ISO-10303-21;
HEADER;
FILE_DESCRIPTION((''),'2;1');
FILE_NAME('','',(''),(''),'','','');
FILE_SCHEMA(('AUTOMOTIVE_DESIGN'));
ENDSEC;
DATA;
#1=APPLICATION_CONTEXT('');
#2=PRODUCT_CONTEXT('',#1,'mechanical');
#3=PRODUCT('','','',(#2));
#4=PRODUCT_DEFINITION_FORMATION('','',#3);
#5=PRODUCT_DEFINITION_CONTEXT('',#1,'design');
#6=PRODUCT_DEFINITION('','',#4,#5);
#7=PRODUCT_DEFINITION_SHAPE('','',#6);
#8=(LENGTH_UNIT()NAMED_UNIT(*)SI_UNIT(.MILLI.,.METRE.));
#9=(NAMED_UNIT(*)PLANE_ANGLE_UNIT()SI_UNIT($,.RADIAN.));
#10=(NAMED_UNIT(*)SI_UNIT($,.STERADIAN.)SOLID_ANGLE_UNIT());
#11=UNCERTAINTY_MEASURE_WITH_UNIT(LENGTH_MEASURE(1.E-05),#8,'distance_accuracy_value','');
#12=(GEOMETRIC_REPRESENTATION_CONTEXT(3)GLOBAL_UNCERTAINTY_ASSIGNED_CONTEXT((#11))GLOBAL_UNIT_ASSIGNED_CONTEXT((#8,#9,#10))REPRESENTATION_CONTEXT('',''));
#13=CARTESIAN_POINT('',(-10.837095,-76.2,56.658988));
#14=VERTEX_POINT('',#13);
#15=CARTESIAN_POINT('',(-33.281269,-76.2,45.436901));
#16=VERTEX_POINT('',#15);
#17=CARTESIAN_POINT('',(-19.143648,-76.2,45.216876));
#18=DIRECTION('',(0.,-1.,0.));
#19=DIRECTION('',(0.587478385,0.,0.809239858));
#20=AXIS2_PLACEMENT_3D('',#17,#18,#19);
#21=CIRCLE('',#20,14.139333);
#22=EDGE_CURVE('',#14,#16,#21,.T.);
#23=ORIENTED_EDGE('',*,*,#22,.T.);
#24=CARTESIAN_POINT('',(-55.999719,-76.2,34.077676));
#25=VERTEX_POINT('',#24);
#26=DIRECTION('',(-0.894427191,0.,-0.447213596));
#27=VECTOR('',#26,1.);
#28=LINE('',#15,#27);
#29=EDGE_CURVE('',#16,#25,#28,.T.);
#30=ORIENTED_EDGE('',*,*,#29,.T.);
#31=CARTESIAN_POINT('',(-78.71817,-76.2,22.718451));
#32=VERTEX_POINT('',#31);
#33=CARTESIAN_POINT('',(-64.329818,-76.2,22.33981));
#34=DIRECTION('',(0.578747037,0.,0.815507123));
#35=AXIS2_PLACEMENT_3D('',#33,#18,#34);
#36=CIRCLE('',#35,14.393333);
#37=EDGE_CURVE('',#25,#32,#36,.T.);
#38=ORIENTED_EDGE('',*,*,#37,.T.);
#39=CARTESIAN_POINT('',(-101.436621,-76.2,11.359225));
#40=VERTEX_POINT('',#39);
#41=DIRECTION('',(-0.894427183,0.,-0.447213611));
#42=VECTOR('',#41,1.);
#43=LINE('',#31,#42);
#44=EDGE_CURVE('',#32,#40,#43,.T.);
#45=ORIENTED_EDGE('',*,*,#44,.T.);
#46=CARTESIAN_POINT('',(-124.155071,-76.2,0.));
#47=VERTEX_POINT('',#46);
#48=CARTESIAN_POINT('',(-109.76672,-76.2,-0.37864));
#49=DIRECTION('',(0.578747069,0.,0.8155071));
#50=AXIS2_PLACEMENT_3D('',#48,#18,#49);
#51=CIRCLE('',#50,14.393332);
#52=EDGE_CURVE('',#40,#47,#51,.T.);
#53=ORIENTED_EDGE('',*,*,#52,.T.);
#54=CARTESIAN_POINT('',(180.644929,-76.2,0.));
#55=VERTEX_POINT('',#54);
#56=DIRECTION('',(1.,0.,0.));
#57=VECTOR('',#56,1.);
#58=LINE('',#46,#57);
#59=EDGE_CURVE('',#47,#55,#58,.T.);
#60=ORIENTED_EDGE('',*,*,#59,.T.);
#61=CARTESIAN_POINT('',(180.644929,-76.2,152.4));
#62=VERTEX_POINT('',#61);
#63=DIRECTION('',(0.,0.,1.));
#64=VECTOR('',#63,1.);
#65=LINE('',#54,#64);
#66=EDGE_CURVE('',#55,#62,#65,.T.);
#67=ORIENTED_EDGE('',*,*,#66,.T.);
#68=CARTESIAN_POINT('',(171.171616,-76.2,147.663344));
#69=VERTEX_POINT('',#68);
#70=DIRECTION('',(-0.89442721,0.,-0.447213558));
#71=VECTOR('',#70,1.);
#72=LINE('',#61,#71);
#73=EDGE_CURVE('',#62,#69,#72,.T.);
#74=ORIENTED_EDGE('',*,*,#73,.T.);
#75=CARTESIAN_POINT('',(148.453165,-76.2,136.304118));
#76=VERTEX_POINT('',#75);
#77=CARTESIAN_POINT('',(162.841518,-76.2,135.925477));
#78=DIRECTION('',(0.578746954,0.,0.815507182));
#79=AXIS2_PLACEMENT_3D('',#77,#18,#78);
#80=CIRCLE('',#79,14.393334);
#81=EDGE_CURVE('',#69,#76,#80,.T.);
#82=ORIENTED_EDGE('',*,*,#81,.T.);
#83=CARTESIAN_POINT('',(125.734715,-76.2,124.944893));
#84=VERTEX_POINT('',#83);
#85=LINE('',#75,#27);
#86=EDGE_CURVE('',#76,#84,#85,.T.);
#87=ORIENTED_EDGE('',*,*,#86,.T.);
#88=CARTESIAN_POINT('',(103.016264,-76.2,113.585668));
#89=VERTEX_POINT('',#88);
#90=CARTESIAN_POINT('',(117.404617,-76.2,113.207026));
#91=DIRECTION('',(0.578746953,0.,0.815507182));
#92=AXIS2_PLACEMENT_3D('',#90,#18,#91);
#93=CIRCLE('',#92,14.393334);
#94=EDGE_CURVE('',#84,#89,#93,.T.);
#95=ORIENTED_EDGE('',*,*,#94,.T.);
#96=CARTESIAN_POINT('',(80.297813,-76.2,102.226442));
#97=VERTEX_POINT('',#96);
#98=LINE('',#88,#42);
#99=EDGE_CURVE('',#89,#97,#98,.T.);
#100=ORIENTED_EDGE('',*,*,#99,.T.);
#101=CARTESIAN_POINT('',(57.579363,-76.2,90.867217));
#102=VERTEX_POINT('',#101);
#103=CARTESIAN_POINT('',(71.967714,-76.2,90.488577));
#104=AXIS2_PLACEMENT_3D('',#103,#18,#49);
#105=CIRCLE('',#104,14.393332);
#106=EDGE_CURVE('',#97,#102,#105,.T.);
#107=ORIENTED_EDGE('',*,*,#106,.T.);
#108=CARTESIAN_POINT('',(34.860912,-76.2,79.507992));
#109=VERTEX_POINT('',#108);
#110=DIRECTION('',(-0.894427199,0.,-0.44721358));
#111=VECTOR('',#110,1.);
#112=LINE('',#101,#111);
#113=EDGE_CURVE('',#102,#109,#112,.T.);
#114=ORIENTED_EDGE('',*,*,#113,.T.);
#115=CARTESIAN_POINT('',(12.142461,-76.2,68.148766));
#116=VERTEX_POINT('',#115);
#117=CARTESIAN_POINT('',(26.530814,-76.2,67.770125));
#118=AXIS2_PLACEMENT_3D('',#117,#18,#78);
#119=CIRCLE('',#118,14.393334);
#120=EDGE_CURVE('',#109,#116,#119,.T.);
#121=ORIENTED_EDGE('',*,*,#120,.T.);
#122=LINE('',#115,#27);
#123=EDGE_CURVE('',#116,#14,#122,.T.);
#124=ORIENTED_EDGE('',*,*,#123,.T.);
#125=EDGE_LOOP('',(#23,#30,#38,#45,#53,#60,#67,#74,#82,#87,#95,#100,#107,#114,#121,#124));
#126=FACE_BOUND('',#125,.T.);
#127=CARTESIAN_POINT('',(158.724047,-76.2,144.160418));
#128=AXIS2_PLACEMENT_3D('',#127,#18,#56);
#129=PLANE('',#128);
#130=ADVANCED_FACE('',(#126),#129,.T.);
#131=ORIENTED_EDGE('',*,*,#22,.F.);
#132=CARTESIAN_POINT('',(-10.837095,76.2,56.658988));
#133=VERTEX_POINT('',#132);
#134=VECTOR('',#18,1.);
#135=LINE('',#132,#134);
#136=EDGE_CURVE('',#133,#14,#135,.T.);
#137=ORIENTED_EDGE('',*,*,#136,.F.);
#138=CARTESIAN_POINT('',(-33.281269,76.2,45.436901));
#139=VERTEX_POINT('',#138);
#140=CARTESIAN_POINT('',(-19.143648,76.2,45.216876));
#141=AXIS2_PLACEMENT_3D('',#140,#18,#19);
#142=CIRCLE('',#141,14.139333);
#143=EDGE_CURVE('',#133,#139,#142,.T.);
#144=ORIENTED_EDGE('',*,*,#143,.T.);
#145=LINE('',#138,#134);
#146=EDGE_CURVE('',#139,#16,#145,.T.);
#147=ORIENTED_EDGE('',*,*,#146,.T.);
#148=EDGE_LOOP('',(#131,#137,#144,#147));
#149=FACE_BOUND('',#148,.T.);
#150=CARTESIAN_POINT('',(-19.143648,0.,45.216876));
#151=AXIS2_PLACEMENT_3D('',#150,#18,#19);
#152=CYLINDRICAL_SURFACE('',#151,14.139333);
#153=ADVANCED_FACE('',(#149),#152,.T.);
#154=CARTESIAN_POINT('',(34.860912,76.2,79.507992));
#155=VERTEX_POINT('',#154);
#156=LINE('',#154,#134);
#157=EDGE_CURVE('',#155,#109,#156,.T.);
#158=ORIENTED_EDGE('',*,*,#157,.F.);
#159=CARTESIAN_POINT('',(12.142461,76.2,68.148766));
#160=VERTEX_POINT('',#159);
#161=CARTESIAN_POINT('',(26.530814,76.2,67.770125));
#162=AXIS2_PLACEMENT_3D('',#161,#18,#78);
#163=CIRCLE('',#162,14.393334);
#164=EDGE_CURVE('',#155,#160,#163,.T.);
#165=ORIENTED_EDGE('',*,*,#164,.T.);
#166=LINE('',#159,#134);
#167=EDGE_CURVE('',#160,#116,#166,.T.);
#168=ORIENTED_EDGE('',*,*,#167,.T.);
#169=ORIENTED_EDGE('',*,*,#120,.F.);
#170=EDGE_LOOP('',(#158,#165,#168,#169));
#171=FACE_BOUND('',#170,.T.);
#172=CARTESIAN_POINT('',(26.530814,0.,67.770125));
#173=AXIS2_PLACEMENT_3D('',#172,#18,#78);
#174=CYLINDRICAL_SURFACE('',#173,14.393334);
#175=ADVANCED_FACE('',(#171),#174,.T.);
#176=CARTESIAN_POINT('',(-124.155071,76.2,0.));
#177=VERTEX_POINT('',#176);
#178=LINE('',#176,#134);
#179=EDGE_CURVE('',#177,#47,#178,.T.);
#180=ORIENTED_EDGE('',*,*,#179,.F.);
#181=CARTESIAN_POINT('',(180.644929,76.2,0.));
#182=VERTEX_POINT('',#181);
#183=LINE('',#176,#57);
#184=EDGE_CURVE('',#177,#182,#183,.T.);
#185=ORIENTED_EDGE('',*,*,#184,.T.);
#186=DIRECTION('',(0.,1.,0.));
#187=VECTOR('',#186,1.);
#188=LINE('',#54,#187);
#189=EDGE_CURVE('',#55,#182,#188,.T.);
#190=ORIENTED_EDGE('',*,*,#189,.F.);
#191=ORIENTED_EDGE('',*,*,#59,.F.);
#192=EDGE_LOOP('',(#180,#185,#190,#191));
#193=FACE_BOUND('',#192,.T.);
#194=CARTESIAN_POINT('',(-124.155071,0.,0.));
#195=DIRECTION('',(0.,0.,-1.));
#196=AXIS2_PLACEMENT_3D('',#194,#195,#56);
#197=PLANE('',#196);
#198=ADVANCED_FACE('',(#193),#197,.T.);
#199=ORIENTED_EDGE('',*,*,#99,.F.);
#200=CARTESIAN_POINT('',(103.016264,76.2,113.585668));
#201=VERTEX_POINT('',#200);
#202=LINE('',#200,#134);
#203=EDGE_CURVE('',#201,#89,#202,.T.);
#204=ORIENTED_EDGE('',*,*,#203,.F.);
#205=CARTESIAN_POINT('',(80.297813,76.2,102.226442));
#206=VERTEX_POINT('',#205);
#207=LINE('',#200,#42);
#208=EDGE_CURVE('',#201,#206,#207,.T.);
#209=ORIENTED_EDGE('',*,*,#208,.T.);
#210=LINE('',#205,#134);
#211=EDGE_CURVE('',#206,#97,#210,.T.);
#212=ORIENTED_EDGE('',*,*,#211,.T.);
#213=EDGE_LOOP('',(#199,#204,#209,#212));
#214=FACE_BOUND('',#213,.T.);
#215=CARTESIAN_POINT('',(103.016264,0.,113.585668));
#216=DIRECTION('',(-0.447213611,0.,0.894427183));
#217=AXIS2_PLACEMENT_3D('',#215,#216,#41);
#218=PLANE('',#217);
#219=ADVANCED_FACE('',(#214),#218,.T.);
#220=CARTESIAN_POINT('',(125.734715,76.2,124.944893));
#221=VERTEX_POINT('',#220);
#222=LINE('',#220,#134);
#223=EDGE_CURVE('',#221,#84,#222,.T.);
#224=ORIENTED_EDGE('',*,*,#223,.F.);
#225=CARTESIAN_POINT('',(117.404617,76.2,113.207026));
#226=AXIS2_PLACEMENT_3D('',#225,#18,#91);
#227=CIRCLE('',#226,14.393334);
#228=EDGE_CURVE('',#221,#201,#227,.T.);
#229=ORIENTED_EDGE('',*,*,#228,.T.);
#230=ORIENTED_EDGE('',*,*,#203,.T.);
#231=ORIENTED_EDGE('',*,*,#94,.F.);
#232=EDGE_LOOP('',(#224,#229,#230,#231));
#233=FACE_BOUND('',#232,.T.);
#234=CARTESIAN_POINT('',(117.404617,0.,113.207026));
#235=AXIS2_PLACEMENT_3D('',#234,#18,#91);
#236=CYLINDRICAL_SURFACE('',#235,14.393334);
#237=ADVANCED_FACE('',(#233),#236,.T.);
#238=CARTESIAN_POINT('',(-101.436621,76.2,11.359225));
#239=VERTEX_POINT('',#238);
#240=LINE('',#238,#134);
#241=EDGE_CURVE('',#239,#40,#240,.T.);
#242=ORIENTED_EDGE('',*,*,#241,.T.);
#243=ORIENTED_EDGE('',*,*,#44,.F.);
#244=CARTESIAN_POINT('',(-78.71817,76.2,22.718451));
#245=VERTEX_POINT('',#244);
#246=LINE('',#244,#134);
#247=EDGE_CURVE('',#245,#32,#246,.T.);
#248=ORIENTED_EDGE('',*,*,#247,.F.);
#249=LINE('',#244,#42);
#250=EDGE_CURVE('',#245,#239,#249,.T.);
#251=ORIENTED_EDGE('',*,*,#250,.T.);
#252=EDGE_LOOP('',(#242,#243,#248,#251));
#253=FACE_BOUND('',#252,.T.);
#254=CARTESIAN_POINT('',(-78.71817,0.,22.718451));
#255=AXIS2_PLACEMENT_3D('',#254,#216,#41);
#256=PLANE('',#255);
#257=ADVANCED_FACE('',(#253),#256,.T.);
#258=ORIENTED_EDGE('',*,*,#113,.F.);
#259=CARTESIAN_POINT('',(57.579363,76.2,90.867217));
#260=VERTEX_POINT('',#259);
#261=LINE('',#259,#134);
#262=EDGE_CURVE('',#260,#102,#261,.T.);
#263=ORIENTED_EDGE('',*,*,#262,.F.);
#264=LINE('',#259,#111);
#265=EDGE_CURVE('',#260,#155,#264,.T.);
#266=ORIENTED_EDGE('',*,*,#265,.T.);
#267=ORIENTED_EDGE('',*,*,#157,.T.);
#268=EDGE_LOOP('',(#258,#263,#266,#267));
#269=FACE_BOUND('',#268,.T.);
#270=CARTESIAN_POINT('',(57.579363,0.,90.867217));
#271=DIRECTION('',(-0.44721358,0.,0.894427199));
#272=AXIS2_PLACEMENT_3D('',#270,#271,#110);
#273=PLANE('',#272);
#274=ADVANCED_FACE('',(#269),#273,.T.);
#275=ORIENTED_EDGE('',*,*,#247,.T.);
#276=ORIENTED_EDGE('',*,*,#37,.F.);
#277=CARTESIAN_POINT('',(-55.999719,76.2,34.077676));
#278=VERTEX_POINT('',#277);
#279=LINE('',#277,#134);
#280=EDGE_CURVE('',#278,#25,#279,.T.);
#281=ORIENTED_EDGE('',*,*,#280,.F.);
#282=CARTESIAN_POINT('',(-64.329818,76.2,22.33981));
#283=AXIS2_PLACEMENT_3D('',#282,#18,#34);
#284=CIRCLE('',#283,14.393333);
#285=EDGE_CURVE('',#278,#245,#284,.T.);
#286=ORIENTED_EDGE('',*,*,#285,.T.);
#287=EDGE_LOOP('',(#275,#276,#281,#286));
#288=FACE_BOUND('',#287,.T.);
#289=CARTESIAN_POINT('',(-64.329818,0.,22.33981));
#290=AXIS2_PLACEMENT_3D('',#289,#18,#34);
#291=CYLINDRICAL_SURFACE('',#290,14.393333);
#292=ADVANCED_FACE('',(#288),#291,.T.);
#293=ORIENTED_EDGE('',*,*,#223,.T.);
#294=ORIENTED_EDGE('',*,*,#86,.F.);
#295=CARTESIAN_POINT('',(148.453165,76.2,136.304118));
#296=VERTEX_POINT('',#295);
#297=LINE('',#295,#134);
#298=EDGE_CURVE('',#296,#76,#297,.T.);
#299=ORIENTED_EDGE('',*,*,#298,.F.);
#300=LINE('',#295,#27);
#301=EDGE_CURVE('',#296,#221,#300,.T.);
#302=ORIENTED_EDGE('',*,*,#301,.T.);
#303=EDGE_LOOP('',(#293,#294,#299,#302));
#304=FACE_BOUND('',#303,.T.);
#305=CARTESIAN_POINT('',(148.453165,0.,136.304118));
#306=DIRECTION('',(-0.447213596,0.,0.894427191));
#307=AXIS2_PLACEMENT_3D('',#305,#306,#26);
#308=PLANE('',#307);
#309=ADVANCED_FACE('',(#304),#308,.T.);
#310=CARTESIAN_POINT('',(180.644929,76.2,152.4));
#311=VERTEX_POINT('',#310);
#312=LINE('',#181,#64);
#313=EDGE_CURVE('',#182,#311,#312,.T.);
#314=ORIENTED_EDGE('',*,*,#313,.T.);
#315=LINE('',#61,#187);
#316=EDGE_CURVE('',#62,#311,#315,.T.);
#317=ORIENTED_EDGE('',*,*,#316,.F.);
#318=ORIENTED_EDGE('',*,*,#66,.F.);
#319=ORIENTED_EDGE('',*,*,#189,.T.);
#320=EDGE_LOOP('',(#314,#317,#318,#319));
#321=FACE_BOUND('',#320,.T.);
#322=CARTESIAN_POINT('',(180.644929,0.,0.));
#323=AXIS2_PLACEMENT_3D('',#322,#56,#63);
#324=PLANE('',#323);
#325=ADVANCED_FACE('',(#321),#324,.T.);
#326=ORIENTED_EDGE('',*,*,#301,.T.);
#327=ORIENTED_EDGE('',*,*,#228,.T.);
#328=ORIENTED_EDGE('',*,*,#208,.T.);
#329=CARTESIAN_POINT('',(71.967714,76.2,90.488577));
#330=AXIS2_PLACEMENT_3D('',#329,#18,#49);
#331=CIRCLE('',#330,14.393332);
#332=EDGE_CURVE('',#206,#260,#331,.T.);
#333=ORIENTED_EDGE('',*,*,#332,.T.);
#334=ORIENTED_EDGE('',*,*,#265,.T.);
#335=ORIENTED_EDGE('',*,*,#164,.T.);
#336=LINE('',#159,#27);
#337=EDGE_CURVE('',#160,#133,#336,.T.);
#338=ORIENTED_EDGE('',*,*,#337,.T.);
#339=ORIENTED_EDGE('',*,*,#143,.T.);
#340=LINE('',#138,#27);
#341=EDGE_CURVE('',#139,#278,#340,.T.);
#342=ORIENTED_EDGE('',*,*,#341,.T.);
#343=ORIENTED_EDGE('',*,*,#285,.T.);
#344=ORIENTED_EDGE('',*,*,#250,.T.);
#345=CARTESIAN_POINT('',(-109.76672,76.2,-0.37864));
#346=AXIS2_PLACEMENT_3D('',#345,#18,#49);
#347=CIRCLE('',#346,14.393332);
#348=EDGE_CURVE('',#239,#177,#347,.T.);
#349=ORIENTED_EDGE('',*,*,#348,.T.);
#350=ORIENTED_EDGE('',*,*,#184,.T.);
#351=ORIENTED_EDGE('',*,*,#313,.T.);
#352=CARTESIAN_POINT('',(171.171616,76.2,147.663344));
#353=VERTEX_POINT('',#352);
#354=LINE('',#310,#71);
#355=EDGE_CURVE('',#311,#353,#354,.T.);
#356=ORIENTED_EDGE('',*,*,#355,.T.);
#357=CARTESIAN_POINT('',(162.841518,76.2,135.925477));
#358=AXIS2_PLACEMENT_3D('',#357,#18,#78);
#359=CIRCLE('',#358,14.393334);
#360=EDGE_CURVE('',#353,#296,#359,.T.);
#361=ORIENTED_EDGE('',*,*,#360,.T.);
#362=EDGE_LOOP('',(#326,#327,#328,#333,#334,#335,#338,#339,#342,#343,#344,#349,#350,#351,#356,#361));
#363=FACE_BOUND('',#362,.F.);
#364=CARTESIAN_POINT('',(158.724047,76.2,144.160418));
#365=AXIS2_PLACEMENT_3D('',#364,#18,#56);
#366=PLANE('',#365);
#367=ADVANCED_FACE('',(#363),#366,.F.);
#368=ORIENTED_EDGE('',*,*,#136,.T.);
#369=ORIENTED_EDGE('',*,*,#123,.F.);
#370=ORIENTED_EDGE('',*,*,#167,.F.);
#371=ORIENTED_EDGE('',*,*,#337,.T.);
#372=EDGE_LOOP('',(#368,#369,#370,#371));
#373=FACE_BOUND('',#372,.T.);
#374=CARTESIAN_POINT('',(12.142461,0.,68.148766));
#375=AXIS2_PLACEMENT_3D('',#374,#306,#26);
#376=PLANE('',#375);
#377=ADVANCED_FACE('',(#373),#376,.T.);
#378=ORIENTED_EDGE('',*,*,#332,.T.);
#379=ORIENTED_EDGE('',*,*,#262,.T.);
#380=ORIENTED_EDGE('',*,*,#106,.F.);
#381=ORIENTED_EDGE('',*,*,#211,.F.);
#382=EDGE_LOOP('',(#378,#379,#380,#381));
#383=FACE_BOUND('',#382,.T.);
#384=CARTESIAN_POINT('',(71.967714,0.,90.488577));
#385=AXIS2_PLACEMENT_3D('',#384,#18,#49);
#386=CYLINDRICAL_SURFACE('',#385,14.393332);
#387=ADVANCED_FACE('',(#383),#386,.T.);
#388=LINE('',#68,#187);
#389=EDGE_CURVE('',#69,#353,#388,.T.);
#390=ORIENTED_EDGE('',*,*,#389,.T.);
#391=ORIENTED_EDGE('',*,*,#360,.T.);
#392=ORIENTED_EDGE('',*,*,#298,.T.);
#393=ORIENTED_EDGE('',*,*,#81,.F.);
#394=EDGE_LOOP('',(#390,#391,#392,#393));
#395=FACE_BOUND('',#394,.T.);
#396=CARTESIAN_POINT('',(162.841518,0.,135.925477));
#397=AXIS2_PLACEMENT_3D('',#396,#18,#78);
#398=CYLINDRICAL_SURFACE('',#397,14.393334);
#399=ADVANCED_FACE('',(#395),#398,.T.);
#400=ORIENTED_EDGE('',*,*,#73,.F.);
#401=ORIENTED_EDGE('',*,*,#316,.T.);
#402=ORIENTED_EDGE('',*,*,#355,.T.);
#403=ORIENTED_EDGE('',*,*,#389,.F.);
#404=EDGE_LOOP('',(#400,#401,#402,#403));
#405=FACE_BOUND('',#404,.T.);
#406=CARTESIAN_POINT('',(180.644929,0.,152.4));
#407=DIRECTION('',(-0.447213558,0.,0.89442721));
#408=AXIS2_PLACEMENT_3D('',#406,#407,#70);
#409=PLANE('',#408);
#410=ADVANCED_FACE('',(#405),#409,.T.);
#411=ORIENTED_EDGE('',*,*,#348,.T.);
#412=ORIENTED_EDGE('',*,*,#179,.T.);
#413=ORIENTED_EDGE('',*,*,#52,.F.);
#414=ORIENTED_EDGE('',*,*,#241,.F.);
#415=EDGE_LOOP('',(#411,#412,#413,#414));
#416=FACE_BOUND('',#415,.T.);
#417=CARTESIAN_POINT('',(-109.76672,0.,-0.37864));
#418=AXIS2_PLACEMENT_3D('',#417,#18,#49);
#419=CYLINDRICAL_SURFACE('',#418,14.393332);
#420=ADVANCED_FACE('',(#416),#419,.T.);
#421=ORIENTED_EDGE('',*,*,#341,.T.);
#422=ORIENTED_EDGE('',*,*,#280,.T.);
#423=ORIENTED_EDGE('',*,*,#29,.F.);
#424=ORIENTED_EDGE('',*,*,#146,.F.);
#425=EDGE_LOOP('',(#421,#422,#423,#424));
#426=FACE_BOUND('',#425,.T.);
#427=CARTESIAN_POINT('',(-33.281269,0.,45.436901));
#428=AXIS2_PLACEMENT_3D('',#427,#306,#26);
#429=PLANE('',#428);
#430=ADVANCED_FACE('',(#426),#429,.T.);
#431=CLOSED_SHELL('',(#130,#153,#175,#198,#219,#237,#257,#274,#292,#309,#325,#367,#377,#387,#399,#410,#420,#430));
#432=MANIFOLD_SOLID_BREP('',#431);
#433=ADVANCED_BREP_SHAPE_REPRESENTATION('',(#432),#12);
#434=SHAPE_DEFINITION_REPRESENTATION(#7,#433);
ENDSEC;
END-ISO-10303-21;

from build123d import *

# Parameters (mm, degrees)
F1_DEPTH = 76.2


with BuildPart() as f1:
    # F0 (on Front) → F1 (new body, symmetric)
    with BuildSketch(Plane.XZ):
        with BuildLine():
            Line((148.453165, 136.304118), (171.171616, 147.663344))
            ThreePointArc((171.171616, 147.663344), (156.404623, 148.799266), (148.453165, 136.304118))
        make_face()
        with BuildLine():
            Line((103.016264, 113.585668), (125.734715, 124.944893))
            ThreePointArc((125.734715, 124.944893), (110.967722, 126.080815), (103.016264, 113.585668))
        make_face()
        with BuildLine():
            Line((57.579363, 90.867217), (80.297813, 102.226442))
            ThreePointArc((80.297813, 102.226442), (65.53082, 103.362365), (57.579363, 90.867217))
        make_face()
        with BuildLine():
            ThreePointArc((34.860912, 79.507992), (20.093919, 80.643914), (12.142461, 68.148766))
            Line((12.142461, 68.148766), (34.860912, 79.507992))
        make_face()
        with BuildLine():
            ThreePointArc((-10.837095, 56.658988), (-25.46695, 57.86348), (-33.281269, 45.436901))
            Line((-33.281269, 45.436901), (-10.837095, 56.658988))
        make_face()
        Polygon((-124.155071, 0), (180.644929, 0), (180.644929, 152.4), (171.171616, 147.663344), (148.453165, 136.304118), (125.734715, 124.944893), (103.016264, 113.585668), (80.297813, 102.226442), (57.579363, 90.867217), (34.860912, 79.507992), (12.142461, 68.148766), (-10.837095, 56.658988), (-33.281269, 45.436901), (-55.999719, 34.077676), (-78.71817, 22.718451), (-101.436621, 11.359225), align=None)
        with BuildLine():
            ThreePointArc((-55.999719, 34.077676), (-70.766712, 35.213599), (-78.71817, 22.718451))
            Line((-78.71817, 22.718451), (-55.999719, 34.077676))
        make_face()
        with BuildLine():
            ThreePointArc((-101.436621, 11.359225), (-116.203614, 12.495148), (-124.155071, 0))
            Line((-124.155071, 0), (-101.436621, 11.359225))
        make_face()
    extrude(amount=F1_DEPTH, both=True)


solid = f1.part
